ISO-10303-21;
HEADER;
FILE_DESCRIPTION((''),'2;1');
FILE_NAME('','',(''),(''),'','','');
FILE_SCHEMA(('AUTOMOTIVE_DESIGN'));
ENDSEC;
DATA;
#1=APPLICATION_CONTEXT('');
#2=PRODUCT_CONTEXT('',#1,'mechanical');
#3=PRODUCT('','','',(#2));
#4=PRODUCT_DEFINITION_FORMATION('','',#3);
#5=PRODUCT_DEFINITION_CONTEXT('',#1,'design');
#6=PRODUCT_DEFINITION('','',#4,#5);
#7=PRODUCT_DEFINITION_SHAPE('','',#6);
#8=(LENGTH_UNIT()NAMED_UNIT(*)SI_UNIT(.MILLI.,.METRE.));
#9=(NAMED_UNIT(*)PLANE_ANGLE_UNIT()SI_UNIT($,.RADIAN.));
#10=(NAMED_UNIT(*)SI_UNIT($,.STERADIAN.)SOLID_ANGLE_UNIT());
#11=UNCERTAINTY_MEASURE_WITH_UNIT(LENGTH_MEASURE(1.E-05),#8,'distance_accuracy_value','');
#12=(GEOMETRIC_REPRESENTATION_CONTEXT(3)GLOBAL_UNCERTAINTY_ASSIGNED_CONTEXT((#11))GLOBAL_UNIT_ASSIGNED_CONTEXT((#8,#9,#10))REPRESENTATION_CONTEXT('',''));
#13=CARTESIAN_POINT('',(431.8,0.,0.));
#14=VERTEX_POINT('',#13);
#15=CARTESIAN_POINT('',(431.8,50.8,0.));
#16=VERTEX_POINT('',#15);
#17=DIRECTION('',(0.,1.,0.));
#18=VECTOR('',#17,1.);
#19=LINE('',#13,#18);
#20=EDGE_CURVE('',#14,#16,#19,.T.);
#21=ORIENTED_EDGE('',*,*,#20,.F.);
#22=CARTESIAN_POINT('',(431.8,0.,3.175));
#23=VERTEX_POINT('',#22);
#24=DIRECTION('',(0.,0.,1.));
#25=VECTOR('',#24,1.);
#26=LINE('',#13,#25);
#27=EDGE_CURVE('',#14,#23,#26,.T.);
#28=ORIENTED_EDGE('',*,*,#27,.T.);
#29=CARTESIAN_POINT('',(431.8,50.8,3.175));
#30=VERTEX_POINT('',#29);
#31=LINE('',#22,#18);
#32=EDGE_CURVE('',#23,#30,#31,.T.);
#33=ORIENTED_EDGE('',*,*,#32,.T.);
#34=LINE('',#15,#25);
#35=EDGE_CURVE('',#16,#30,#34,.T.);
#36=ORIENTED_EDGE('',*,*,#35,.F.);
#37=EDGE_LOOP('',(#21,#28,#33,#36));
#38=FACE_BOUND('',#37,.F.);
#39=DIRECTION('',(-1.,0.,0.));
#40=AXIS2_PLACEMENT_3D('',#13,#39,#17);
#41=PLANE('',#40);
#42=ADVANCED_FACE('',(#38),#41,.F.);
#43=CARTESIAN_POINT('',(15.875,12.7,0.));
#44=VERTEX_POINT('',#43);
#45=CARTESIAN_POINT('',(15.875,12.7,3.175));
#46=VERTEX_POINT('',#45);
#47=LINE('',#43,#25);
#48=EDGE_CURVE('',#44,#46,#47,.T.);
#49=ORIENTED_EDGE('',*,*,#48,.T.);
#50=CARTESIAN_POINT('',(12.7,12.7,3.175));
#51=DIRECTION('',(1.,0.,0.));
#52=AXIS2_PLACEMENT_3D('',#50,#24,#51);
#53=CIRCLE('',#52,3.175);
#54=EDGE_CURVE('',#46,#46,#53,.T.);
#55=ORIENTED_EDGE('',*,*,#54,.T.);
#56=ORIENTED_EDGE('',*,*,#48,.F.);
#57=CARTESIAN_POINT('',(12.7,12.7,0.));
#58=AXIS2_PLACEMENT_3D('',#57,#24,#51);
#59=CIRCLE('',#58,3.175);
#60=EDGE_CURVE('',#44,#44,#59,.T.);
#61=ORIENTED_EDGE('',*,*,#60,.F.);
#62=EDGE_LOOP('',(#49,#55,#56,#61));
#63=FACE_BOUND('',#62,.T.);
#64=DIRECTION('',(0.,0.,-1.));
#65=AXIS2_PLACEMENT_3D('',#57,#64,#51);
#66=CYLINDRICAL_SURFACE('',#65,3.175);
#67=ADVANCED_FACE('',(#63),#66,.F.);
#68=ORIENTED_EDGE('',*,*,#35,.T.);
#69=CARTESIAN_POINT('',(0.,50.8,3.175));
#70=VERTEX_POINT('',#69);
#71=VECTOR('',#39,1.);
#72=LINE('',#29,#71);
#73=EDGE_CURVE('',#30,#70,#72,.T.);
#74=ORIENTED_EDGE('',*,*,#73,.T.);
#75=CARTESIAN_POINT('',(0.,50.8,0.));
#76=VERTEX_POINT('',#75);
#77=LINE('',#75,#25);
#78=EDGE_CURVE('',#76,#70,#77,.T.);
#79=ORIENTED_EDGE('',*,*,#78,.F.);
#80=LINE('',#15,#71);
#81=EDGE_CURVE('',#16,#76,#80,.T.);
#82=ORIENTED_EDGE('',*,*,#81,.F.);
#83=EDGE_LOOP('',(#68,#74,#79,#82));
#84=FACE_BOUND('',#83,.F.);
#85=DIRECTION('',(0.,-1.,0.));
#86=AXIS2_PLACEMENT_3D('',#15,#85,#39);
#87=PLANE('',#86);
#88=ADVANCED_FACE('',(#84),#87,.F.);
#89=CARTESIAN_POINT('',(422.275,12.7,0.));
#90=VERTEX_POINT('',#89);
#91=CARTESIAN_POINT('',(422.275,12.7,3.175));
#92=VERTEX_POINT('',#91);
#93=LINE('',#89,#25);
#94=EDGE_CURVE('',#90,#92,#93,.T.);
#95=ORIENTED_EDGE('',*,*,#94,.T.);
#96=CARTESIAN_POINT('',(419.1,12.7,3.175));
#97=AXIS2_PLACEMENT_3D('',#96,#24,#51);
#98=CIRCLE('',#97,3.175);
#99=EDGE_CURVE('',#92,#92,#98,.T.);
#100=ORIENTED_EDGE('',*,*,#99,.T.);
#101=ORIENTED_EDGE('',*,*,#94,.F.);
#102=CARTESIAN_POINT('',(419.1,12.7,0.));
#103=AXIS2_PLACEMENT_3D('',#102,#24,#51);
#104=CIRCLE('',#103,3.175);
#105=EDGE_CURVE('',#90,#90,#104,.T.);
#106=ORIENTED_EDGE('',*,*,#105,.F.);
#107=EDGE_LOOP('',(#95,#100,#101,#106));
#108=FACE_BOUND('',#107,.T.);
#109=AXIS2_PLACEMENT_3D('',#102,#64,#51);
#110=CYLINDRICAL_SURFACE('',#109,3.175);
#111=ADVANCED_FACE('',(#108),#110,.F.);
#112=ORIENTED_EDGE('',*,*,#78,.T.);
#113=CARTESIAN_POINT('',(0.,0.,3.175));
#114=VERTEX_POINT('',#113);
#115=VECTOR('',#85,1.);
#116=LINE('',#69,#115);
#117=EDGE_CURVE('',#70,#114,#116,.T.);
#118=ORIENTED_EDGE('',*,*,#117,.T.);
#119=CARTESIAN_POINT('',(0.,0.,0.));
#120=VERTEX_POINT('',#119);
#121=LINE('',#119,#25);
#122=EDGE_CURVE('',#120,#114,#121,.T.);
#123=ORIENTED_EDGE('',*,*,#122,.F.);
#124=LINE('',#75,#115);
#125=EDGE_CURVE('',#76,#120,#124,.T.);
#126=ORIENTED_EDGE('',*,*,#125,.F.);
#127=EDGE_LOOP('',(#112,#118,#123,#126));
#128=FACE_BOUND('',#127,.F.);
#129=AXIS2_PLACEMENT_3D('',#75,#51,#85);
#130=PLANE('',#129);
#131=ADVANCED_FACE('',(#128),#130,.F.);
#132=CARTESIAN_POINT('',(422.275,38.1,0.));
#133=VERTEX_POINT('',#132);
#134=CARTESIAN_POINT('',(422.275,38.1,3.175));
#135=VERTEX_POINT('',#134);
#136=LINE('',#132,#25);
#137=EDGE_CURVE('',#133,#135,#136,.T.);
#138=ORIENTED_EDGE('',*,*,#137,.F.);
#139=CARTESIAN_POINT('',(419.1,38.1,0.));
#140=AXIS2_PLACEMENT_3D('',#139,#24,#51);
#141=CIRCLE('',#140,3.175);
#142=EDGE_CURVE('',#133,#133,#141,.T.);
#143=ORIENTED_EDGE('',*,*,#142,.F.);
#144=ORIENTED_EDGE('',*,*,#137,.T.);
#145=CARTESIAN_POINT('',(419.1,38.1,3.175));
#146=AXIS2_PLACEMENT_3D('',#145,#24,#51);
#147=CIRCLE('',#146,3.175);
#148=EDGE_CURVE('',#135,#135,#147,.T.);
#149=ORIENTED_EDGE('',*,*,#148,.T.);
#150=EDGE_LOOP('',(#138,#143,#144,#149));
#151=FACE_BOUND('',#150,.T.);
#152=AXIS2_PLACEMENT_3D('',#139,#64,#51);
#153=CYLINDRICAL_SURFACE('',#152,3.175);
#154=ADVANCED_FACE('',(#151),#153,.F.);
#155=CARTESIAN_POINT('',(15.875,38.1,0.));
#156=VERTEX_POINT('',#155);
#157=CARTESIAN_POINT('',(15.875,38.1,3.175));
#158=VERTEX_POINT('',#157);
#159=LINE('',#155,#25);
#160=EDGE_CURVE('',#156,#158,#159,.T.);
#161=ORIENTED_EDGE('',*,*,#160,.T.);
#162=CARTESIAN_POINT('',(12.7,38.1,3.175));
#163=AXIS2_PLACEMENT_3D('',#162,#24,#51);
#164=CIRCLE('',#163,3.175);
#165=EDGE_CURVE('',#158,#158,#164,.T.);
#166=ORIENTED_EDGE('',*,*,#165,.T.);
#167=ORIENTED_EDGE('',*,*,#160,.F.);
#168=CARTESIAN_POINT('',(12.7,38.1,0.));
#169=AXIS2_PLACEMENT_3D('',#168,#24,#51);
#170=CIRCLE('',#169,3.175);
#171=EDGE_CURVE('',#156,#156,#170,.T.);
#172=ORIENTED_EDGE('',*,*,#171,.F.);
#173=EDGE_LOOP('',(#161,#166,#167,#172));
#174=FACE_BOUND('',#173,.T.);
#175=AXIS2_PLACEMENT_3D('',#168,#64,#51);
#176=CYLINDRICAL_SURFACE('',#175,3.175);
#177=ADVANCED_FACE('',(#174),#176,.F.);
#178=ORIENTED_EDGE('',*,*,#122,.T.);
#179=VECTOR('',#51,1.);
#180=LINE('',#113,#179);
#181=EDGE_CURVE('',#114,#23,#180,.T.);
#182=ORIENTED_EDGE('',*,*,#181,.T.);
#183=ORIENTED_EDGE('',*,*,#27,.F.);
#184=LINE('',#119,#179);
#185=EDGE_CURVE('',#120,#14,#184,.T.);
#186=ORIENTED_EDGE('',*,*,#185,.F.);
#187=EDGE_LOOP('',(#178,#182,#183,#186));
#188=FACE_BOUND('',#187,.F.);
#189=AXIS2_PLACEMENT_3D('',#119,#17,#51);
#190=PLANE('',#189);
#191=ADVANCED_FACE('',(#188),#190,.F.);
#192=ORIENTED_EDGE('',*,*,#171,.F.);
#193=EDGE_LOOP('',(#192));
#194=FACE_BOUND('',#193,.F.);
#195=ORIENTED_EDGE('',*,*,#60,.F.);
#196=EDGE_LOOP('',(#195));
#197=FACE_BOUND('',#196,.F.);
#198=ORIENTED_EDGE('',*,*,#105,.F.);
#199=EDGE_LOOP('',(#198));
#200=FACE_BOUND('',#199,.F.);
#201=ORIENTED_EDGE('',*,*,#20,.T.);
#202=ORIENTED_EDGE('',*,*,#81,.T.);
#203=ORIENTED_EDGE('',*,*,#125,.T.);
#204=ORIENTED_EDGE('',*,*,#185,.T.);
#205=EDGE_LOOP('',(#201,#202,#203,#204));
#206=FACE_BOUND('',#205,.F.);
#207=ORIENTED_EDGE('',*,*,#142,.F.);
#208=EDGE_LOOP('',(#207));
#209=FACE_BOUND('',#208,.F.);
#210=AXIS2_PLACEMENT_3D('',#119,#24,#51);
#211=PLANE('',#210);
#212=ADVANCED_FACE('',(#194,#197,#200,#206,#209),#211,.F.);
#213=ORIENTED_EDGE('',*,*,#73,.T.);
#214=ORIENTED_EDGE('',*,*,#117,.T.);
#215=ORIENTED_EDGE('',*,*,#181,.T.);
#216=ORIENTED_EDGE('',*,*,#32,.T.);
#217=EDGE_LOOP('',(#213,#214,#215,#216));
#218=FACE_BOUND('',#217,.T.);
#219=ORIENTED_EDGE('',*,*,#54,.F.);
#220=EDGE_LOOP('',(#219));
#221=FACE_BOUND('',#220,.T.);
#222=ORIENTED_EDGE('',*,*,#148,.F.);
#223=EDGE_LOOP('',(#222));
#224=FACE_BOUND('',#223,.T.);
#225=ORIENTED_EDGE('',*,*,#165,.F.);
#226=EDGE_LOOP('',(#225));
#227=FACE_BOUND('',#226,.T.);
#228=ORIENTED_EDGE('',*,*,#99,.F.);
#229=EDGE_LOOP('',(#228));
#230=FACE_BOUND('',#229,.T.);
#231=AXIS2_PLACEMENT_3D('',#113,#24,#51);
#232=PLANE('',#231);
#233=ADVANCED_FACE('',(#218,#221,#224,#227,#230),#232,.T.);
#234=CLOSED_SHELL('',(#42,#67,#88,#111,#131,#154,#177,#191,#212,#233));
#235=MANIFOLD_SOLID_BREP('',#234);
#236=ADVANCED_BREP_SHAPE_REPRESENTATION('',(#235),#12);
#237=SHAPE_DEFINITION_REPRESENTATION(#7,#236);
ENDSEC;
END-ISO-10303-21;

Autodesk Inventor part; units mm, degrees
ref_plane "YZ Plane" through (0, 0, 0) normal (1, 0, 0) x (0, 1, 0)
ref_plane "XZ Plane" through (0, 0, 0) normal (0, 1, 0) x (-1, 0, 0)
ref_plane "XY Plane" through (0, 0, 0) normal (0, 0, 1) x (1, 0, 0)
sketch "Sketch1" plane through (0, 0, 0) normal (0, 0, 1) x (1, 0, 0)
  line L0 (0, 0) -> (431.8, 0)
  line L1 (431.8, 0) -> (431.8, 50.8)
  line L2 (431.8, 50.8) -> (0, 50.8)
  line L3 (0, 50.8) -> (0, 0)
  line L4 (12.7, 50.8) -> (12.7, 0) construction
  line L5 (0, 38.1) -> (12.7, 38.1) construction
  line L6 (0, 12.7) -> (12.7, 12.7) construction
  circle A0 centre (12.7, 38.1) radius 3.175
  circle A1 centre (12.7, 12.7) radius 3.175
  line L7 (215.9, 50.8) -> (215.9, 0) construction
  line L8 (419.1, 50.8) -> (419.1, 0) construction
  line L9 (431.8, 38.1) -> (419.1, 38.1) construction
  line L10 (431.8, 12.7) -> (419.1, 12.7) construction
  circle A2 centre (419.1, 38.1) radius 3.175
  circle A3 centre (419.1, 12.7) radius 3.175
  dimension "d0" = 431.8
  dimension "d1" = 50.8
  dimension "d2" = 12.7
  dimension "d3" = 12.7
  dimension "d4" = 25.4
  dimension "d5" = 6.35
  dimension "d6" = 6.35
extrude "Extrusion1" add sketch "Sketch1" along normal blind 3.175
properties part number "crossbeam"
